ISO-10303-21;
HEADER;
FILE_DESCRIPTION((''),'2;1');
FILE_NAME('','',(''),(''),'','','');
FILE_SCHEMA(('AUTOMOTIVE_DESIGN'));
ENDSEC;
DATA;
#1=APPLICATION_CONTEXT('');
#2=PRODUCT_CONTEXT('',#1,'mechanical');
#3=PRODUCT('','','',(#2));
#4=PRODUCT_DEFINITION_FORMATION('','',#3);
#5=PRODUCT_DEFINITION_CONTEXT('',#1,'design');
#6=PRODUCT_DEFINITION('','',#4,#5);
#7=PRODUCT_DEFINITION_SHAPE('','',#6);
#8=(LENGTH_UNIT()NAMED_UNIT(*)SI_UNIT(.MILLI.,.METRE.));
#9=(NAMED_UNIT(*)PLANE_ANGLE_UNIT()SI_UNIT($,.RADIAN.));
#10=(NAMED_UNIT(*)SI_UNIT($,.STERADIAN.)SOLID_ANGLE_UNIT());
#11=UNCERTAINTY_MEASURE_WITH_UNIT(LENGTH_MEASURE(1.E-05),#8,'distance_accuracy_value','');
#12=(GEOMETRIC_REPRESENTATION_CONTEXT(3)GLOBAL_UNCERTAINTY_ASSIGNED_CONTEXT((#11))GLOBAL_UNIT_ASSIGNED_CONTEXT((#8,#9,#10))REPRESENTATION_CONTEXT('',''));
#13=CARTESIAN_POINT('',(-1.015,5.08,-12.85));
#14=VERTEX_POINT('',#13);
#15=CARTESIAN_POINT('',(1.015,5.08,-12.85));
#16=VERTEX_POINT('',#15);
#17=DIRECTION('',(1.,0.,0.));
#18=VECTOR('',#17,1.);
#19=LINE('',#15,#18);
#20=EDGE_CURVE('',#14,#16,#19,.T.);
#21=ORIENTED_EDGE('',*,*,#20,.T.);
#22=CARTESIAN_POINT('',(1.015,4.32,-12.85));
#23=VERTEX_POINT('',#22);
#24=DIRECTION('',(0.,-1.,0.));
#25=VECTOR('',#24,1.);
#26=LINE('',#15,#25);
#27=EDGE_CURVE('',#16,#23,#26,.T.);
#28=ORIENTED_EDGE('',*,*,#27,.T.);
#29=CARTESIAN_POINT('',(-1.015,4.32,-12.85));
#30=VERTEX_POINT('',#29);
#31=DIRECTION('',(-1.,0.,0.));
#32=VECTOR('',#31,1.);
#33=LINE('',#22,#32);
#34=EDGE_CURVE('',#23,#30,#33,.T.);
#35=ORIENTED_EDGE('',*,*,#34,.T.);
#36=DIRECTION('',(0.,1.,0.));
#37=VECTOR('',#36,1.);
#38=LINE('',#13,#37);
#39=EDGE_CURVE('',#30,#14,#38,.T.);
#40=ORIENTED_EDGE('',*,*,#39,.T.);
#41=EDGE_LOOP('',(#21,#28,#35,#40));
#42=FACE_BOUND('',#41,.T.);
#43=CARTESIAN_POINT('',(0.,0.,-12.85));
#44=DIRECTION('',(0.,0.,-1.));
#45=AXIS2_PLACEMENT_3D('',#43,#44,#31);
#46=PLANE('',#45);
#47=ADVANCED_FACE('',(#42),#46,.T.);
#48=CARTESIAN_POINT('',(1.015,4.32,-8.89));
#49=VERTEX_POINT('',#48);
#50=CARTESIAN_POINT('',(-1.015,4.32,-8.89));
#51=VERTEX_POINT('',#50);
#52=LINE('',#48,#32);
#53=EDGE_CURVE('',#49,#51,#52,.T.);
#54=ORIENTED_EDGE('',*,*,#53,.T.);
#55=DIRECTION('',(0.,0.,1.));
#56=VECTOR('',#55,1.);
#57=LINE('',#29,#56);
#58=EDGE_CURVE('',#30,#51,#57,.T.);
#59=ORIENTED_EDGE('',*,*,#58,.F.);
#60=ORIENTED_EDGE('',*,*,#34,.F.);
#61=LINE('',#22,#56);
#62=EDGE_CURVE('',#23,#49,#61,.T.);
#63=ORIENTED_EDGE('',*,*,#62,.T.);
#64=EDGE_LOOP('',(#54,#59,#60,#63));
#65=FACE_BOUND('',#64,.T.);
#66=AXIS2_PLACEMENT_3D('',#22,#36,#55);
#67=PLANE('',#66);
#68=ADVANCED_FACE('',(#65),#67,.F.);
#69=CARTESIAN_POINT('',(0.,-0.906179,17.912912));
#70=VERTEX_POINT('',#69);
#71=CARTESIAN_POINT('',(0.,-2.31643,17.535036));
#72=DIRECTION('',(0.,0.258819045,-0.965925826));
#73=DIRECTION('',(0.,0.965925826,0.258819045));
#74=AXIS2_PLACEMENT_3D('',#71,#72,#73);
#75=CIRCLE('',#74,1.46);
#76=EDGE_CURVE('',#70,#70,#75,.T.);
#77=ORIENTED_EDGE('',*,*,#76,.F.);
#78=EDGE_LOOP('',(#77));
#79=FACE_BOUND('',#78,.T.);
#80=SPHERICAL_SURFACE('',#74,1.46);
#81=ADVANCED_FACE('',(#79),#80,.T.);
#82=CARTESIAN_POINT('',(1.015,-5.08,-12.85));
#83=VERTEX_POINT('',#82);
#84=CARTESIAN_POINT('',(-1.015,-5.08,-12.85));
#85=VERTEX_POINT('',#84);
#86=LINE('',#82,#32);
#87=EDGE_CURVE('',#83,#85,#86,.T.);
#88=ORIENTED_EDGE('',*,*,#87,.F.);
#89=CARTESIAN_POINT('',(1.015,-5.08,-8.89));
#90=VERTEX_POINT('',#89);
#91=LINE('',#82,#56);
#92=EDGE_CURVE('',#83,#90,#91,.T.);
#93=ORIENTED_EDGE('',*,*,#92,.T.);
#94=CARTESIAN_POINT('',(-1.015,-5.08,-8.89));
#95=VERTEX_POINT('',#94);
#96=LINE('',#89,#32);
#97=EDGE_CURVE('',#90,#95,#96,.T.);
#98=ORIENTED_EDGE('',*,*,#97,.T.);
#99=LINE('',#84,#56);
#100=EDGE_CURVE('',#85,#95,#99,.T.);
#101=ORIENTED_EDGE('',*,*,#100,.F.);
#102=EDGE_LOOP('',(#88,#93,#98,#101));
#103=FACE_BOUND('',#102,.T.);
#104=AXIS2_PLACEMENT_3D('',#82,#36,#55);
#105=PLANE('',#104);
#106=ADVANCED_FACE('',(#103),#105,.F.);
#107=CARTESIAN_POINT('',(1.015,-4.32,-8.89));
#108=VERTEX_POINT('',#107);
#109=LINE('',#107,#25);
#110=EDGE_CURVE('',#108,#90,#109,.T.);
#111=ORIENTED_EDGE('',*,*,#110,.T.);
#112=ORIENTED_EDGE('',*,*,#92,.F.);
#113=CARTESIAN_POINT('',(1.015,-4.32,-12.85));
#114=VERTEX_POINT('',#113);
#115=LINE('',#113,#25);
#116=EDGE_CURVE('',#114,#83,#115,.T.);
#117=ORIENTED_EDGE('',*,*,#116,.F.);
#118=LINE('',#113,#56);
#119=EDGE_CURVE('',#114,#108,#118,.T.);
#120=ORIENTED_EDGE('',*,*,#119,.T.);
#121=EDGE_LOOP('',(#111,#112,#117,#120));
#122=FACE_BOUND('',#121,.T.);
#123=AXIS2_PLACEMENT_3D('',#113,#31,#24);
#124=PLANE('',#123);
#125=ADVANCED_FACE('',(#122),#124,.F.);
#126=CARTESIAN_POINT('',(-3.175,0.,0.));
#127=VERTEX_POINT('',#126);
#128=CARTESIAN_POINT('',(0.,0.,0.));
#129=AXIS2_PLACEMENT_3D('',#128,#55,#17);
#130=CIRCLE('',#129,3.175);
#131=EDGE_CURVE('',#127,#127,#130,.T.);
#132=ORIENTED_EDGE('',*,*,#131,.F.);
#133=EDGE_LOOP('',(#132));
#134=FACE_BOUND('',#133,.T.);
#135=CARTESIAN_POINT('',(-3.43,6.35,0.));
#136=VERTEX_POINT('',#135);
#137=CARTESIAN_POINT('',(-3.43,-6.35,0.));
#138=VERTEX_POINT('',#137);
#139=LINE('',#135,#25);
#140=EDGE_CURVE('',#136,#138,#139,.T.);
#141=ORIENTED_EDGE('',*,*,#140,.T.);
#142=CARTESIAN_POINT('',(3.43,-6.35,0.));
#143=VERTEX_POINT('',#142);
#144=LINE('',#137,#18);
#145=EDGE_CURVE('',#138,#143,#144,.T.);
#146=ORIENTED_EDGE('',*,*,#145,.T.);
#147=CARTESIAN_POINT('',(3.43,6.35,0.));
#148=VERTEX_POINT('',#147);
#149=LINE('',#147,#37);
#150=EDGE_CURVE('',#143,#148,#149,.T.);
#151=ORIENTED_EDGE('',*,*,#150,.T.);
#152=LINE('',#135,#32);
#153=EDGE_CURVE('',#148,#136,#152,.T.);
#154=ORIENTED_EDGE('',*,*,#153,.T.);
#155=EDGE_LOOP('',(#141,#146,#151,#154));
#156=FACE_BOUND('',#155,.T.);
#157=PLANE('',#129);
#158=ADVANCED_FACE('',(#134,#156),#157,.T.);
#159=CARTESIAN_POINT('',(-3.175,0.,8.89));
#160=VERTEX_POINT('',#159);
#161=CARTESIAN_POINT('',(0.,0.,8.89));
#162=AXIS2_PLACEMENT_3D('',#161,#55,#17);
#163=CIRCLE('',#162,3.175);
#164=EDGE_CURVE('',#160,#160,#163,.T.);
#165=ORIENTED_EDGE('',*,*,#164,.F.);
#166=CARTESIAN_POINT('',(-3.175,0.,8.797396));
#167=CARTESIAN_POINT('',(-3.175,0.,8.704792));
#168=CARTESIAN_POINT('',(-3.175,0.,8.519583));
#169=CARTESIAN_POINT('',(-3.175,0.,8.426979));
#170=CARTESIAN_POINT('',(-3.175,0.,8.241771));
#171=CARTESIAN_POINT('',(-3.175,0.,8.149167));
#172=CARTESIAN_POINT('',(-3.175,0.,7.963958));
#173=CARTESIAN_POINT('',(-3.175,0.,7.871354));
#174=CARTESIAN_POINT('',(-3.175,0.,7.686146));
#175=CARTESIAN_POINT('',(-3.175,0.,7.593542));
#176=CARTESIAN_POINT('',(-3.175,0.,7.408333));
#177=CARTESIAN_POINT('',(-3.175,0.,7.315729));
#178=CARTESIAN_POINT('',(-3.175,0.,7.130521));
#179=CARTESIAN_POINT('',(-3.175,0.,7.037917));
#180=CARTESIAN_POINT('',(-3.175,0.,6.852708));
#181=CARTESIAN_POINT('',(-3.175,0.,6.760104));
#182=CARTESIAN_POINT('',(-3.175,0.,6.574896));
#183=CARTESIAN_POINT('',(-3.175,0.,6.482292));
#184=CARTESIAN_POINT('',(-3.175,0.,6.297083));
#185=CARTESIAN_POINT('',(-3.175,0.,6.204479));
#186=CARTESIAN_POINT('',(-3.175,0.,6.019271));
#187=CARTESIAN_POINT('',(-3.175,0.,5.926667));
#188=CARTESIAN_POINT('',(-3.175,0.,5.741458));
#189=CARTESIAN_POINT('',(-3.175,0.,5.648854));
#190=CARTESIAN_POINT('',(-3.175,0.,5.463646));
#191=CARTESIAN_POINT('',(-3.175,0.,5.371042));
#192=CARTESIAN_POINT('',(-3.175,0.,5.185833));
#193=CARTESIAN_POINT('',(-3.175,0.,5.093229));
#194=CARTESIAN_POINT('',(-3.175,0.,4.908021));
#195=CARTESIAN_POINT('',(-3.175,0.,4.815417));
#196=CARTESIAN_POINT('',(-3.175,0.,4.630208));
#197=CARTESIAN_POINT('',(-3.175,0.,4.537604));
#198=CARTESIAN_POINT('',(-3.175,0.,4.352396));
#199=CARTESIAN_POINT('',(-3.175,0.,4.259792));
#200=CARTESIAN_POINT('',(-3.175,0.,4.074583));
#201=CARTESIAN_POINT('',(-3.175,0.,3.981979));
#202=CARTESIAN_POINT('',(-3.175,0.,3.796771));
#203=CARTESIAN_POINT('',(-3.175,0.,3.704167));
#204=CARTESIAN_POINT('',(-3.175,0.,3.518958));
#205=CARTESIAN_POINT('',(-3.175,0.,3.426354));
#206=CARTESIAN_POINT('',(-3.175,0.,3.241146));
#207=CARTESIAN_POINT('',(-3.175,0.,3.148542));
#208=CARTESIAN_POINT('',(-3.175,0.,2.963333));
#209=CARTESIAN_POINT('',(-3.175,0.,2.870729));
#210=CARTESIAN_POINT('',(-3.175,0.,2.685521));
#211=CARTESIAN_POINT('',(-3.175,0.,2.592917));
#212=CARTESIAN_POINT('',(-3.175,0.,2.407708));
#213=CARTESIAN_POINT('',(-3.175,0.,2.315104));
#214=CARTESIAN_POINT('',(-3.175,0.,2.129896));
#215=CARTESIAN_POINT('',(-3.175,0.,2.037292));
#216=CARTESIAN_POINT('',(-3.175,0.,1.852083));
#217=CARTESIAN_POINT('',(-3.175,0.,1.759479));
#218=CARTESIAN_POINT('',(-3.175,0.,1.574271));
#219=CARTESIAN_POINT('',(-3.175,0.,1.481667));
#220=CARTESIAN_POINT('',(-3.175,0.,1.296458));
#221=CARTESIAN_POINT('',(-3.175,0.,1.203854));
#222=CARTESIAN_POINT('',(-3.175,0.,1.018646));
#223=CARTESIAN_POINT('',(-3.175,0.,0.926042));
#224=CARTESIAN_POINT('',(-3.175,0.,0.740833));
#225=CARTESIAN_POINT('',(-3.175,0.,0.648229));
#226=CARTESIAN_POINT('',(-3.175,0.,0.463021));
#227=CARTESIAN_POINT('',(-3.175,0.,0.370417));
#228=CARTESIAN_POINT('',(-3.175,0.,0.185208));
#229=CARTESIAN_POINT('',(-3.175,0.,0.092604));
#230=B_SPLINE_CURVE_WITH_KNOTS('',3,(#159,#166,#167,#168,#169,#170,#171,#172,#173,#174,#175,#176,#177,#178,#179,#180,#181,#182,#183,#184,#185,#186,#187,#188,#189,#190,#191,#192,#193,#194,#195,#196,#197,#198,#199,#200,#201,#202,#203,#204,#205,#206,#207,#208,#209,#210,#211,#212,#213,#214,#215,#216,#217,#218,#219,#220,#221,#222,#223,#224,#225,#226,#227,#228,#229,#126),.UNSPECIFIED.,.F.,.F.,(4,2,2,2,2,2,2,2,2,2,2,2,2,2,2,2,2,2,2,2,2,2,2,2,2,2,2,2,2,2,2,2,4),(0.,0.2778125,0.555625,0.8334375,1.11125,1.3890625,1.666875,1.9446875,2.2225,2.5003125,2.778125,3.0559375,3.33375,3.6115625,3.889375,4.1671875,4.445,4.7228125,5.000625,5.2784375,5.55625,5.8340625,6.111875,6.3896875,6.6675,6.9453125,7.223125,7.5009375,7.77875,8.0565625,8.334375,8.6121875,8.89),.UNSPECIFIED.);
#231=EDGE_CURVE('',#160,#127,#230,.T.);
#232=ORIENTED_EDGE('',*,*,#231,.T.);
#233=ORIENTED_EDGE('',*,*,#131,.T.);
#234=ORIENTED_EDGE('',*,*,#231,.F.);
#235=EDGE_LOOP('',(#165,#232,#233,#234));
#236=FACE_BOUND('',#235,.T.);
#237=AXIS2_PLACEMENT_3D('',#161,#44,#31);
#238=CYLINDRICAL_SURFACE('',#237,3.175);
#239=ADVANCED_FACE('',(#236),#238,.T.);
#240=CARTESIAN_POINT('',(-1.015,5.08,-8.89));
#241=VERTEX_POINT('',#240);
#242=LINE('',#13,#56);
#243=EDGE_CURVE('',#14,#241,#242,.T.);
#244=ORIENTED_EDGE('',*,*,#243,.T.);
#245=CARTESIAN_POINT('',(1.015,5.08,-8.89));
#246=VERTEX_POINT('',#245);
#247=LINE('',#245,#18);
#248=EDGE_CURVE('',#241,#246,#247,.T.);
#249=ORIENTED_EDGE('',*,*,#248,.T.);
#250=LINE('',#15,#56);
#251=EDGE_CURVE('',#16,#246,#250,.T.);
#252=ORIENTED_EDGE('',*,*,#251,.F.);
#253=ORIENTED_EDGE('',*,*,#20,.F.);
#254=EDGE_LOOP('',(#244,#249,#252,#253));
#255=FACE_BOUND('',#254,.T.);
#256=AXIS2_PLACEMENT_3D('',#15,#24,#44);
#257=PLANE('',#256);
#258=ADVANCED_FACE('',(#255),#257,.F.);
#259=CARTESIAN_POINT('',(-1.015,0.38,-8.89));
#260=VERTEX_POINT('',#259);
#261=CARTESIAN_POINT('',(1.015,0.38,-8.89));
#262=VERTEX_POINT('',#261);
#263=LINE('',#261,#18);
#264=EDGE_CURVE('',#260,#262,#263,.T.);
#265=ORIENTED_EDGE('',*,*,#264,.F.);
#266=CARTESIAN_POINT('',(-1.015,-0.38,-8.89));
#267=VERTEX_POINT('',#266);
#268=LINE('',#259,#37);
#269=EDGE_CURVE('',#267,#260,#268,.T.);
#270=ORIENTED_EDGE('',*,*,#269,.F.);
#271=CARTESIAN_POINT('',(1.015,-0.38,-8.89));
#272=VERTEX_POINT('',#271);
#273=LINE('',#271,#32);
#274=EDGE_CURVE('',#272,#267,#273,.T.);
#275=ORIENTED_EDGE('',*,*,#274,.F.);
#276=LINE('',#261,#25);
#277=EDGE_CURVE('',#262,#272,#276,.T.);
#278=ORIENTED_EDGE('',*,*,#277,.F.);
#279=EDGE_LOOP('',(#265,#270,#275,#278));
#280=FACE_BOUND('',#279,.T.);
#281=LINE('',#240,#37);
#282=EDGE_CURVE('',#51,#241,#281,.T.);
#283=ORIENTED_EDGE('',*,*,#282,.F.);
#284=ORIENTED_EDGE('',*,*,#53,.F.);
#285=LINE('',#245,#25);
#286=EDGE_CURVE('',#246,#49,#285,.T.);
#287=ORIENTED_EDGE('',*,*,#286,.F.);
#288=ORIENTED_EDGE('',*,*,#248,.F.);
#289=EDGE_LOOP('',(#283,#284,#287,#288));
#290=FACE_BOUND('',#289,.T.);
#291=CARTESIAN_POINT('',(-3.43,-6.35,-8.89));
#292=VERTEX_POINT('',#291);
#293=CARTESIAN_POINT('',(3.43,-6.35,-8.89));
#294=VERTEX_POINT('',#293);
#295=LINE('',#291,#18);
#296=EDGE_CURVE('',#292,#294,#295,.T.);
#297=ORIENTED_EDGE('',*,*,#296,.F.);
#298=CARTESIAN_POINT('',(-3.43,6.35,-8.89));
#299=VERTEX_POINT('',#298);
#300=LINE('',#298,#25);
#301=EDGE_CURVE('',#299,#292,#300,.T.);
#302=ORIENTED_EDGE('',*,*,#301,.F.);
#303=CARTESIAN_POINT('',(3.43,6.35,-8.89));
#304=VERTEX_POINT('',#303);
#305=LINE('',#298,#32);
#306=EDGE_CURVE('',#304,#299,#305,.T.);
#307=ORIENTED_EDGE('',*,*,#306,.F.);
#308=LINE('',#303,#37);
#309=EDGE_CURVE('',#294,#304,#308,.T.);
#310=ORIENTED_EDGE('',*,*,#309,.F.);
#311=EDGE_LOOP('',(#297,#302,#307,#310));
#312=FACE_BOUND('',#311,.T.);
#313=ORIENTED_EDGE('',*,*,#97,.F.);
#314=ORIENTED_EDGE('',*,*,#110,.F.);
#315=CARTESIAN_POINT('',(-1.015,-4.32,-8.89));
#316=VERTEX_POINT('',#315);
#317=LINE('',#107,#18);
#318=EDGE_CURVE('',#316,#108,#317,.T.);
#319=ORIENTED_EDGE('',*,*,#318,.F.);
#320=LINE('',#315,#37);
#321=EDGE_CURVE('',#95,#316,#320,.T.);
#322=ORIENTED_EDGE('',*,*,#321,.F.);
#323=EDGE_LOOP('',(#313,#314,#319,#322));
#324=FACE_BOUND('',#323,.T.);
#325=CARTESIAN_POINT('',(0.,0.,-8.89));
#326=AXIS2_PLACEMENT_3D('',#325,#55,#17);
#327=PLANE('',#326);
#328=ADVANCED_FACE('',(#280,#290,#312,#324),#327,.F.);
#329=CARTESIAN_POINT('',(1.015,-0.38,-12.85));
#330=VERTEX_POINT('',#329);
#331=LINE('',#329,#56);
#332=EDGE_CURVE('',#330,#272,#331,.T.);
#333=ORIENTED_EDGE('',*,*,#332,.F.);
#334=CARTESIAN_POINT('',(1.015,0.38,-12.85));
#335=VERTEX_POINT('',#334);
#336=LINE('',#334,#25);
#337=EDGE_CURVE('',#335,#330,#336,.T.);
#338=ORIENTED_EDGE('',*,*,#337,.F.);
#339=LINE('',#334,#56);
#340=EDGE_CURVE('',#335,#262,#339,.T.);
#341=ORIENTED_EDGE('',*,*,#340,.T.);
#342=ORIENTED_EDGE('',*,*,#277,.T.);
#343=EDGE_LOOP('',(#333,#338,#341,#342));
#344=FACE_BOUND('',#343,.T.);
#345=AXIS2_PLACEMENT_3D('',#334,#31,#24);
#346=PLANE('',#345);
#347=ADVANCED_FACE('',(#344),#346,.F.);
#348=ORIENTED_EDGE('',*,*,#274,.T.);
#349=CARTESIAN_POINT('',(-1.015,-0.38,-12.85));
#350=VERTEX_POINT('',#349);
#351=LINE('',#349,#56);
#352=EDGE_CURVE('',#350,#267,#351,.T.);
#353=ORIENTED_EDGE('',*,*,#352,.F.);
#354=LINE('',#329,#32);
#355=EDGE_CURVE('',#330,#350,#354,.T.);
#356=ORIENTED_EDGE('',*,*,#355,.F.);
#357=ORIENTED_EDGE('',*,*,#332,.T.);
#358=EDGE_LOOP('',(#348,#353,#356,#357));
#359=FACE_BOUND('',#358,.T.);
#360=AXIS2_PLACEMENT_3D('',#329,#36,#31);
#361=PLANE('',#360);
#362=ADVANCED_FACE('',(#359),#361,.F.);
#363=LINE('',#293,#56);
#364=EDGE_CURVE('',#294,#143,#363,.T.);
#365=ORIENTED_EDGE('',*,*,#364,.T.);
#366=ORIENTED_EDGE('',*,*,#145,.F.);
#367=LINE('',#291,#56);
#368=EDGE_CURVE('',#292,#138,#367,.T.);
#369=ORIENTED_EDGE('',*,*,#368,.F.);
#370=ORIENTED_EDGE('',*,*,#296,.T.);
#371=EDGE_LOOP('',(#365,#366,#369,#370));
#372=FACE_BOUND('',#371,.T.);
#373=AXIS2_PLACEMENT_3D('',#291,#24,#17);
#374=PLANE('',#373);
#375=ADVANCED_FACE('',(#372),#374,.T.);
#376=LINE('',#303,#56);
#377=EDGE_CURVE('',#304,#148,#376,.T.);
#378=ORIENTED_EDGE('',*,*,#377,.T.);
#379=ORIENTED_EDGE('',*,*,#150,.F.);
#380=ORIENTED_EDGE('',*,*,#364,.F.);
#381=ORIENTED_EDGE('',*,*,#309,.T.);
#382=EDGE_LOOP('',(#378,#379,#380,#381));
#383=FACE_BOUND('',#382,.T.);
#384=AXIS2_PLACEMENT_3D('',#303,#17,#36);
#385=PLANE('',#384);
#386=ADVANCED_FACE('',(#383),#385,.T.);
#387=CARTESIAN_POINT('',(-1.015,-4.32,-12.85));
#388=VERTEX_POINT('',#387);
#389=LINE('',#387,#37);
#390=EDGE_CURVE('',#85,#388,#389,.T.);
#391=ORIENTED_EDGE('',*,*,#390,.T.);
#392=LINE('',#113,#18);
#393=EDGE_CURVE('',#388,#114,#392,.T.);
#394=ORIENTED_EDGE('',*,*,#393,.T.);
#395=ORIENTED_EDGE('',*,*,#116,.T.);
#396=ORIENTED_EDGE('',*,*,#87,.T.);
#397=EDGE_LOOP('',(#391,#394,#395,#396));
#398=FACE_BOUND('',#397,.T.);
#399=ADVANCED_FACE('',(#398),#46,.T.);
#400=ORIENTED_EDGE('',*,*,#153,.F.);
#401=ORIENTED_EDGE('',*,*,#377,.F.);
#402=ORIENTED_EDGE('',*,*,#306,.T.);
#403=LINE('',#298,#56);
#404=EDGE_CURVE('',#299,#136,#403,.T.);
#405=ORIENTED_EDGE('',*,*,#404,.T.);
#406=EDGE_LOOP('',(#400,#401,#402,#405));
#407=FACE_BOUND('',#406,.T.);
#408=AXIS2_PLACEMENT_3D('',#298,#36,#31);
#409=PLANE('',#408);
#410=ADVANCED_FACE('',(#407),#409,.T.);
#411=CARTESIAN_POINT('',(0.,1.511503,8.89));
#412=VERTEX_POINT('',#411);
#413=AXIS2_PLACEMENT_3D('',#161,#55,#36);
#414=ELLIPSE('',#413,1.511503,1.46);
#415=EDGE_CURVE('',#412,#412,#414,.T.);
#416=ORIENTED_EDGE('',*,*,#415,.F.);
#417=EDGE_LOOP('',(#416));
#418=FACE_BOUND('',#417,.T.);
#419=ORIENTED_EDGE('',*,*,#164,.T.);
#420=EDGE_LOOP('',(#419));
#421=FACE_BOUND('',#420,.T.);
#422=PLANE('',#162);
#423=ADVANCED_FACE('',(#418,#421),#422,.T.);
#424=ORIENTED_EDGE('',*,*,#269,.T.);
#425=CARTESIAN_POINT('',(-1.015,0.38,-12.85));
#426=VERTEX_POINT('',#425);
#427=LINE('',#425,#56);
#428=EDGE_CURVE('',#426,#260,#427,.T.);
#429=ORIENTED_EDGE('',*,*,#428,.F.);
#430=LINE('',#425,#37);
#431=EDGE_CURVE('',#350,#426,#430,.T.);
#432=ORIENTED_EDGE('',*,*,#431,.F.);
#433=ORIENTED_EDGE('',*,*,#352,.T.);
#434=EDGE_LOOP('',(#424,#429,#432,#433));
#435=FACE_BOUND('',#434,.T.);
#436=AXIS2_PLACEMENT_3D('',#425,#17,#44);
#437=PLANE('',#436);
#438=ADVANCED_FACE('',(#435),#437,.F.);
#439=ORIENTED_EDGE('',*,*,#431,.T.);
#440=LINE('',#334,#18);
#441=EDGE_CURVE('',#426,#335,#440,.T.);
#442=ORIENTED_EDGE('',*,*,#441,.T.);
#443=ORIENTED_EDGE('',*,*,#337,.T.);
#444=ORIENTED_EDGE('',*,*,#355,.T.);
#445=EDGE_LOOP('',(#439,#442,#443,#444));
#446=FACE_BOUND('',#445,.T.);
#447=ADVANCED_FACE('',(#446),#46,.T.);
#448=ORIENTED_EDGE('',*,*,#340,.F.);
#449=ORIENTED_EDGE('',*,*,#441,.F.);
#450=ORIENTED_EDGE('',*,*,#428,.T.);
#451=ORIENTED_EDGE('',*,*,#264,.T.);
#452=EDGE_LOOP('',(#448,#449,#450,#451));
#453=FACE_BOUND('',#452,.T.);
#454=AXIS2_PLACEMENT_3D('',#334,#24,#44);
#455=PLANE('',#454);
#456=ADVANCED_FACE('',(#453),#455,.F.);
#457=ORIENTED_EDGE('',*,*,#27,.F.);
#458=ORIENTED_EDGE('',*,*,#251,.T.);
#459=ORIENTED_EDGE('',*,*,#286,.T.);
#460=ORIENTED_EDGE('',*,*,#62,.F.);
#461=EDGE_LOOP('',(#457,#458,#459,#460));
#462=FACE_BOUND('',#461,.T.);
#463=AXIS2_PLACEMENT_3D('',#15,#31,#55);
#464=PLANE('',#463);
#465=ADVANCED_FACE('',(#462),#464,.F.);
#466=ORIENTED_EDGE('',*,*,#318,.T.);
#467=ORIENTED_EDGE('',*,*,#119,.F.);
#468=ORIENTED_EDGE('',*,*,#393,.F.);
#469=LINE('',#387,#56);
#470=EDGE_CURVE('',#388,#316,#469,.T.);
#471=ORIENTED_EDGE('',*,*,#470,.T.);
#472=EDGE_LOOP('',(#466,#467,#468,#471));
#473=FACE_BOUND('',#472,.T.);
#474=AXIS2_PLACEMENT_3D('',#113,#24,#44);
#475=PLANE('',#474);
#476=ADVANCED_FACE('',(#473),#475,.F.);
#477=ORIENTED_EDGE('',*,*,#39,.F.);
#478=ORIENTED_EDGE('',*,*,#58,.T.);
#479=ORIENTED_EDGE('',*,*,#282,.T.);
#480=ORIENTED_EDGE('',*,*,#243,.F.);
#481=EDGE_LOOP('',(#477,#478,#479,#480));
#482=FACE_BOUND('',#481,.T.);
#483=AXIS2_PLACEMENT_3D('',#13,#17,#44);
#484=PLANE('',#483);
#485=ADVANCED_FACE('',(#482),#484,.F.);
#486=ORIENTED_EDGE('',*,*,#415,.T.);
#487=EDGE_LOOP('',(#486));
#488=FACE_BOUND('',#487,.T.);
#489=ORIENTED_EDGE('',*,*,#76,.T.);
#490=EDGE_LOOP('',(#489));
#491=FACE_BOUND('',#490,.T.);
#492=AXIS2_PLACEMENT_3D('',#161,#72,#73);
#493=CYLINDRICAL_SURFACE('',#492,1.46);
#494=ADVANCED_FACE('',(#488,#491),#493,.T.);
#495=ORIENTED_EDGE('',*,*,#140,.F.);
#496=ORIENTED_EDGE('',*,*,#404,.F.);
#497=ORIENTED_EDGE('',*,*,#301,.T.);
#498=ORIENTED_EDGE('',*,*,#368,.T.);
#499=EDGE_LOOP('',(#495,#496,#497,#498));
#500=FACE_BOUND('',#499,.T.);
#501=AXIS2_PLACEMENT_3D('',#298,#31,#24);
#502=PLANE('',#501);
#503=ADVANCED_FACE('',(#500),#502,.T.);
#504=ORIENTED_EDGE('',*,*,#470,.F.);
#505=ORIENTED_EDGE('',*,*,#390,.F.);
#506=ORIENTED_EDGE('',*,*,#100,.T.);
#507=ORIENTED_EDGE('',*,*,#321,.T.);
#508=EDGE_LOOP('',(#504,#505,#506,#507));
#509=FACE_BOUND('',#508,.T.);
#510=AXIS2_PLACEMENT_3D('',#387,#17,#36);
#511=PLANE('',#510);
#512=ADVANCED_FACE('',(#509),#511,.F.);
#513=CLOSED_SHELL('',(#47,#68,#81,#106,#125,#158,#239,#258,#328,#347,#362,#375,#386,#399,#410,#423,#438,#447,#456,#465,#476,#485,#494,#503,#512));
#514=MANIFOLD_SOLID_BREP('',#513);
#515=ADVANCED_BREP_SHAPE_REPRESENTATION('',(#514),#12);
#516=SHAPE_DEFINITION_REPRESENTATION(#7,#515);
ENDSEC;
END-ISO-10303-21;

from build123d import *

# Parameters (mm, degrees)
ESQUISSE1_W        = 6.86
ESQUISSE1_H        = 12.7
BOSS_EXTRU_1_DEPTH = 8.89
ESQUISSE2_R        = 3.175
BOSS_EXTRU_2_DEPTH = 8.89
ESQUISSE4_W        = 2.03
ESQUISSE4_H        = 0.76
BOSS_EXTRU_3_DEPTH = 3.96


with BuildPart() as part:
    # Esquisse1 → Boss.-Extru.1 (new body)
    with BuildSketch(Plane.XY):
        Rectangle(ESQUISSE1_W, ESQUISSE1_H)
    extrude(amount=-BOSS_EXTRU_1_DEPTH)

    # Esquisse2 → Boss.-Extru.2 (add)
    with BuildSketch(Plane.XY):
        with Locations(Location((0, 0, 0), (0, 0, 180))):
            Circle(ESQUISSE2_R)
    extrude(amount=BOSS_EXTRU_2_DEPTH)

    # Esquisse3 → Révolution1 (revolve)
    with BuildSketch(Plane(origin=(0, 0, 0), x_dir=(0, 0, -1), z_dir=(1, 0, 0))):
        with BuildLine():
            Line((-17.912911951, -0.906178747), (-8.89, 1.511503223))
            Line((-8.89, 1.511503223), (-8.512124194, 0.101251517))
            Line((-8.512124194, 0.101251517), (-18.945287852, -2.69430626))
            ThreePointArc((-18.945287852, -2.69430626), (-18.799433235, -1.586430454), (-17.912911951, -0.906178747))
        make_face()
    revolve(axis=Axis((0, 0, 8.89), (0, -0.2588190451025216, 0.9659258262890681)))

    # Esquisse4 → Boss.-Extru.3 (add)
    with BuildSketch(Plane(origin=(0, 0, -8.89), x_dir=(-1, 0, 0), z_dir=(0, 0, -1))):
        Rectangle(ESQUISSE4_W, ESQUISSE4_H)
        with Locations((0, 4.7)):
            Rectangle(ESQUISSE4_W, ESQUISSE4_H)
        with Locations((0, -4.7)):
            Rectangle(ESQUISSE4_W, ESQUISSE4_H)
    extrude(amount=BOSS_EXTRU_3_DEPTH)


solid = part.part
